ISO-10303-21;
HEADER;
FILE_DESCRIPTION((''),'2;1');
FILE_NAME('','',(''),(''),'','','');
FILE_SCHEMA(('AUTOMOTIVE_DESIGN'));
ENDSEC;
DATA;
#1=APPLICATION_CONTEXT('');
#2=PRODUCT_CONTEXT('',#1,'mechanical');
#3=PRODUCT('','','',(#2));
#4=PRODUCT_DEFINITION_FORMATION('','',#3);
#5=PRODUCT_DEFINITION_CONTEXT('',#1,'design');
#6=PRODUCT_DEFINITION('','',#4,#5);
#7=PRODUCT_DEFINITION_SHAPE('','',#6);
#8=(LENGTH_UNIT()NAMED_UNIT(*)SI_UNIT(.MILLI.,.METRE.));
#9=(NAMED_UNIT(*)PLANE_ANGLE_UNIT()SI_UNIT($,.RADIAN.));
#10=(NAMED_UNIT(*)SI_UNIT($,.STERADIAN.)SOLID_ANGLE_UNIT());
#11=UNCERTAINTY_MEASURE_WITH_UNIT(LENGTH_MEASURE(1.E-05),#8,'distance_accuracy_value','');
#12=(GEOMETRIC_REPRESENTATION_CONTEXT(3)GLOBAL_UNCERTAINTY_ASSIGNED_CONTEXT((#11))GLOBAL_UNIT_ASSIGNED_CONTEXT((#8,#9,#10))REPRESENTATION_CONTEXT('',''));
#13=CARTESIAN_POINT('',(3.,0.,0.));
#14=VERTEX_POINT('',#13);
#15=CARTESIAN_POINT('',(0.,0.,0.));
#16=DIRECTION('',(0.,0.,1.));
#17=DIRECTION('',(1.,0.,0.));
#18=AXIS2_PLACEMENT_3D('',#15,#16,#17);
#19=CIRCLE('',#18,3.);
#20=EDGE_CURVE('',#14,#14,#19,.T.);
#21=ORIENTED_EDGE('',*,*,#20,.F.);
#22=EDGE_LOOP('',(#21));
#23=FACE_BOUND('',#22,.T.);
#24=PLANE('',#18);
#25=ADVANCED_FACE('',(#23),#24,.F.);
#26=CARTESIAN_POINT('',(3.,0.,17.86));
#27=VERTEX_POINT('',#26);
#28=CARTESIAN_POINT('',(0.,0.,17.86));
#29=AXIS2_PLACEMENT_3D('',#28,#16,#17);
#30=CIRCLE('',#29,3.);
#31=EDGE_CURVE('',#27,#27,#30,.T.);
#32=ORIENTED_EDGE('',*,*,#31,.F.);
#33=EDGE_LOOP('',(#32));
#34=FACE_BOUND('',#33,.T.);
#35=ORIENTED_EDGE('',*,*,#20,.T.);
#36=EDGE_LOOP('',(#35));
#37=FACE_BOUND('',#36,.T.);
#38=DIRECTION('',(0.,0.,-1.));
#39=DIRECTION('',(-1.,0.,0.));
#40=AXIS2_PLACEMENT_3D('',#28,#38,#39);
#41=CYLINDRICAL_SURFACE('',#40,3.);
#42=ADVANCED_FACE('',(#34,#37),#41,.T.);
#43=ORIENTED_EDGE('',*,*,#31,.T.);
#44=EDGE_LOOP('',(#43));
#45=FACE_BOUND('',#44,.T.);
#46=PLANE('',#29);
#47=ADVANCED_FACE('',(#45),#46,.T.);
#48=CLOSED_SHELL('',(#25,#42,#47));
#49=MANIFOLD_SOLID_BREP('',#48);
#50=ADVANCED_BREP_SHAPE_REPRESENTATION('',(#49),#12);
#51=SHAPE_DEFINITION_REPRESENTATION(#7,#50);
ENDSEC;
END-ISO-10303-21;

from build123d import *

# Parameters (mm, degrees)
ESQUISSE1_R        = 3
BOSS_EXTRU_1_DEPTH = 17.86


with BuildPart() as part:
    # Esquisse1 → Boss.-Extru.1 (new body)
    with BuildSketch(Plane.XY):
        Circle(ESQUISSE1_R)
    extrude(amount=BOSS_EXTRU_1_DEPTH)


solid = part.part
